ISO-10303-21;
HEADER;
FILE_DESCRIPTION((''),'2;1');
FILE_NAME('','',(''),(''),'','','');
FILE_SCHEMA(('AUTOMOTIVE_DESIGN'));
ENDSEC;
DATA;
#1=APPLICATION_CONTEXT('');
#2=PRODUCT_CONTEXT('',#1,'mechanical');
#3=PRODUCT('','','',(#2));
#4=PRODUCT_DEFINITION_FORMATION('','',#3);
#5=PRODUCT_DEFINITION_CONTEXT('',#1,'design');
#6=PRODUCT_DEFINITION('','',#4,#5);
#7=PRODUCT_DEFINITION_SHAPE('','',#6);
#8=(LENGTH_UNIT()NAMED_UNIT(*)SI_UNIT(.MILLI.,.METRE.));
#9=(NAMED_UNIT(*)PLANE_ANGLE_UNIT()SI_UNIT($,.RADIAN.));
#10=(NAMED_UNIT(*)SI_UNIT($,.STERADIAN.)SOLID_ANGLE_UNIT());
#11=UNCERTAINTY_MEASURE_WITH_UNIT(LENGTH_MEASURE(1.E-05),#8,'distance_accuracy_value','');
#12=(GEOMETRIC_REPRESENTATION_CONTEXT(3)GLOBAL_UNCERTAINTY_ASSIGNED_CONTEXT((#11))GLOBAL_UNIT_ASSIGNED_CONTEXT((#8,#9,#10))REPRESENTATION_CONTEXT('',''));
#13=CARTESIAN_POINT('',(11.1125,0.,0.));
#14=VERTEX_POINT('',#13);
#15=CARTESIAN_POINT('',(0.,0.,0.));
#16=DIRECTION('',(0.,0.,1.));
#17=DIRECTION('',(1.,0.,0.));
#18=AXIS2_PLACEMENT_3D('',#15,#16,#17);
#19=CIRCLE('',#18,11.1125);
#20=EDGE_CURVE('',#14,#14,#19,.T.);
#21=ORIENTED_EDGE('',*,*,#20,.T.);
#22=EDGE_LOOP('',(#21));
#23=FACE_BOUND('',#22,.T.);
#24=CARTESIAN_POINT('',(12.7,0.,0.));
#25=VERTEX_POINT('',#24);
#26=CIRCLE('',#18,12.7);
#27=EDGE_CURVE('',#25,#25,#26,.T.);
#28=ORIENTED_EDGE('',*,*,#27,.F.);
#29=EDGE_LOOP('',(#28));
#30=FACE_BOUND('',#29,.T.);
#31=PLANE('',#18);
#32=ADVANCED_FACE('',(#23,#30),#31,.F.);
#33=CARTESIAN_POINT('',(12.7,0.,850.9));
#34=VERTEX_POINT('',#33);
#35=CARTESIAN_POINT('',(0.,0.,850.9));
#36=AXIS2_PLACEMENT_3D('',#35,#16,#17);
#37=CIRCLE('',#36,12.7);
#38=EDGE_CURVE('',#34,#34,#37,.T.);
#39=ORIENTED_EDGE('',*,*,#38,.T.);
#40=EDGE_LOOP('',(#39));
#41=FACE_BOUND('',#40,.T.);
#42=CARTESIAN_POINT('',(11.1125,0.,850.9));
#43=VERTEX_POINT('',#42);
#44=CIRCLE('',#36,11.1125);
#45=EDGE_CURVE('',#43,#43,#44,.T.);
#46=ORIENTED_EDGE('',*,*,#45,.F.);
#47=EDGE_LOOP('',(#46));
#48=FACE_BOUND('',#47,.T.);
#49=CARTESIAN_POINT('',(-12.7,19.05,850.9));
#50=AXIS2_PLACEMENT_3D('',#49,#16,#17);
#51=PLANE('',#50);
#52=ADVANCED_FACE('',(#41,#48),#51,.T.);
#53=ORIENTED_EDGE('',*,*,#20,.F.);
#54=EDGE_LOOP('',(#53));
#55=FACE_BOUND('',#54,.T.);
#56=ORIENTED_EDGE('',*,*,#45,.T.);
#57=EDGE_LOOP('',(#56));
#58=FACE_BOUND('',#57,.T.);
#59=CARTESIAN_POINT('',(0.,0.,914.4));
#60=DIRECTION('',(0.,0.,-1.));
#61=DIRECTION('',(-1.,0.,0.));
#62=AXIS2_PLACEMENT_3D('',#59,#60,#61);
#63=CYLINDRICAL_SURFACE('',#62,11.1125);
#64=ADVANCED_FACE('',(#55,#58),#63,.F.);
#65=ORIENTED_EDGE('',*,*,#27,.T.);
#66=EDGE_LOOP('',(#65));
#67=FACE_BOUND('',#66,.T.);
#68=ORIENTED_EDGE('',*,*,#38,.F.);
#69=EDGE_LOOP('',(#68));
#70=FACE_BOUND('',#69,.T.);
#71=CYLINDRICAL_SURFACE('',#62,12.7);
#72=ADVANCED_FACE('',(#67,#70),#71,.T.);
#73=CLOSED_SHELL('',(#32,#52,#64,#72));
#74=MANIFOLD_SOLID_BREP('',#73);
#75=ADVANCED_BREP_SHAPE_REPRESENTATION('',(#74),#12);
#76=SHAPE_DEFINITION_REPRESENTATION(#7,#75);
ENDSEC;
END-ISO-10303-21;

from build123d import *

# Parameters (mm, degrees)
SKETCH1_R               = 12.7
SKETCH1_R_2             = 11.1125
BOSS_EXTRUDE1_DEPTH     = 914.4
CUT_EXTRUDE1_DEPTH      = 19.05
CUT_EXTRUDE1_DEPTH_BACK = 19.05
SKETCH2_W               = 25.4
SKETCH2_H               = 63.5


with BuildPart() as part:
    # Sketch1 → Boss-Extrude1 (new body)
    with BuildSketch(Plane.XY):
        Circle(SKETCH1_R)
        Circle(SKETCH1_R_2, mode=Mode.SUBTRACT)
    extrude(amount=BOSS_EXTRUDE1_DEPTH)

    # Sketch2 → Cut-Extrude1 (cut, two sides: drawn at the far end of the back side and taken through both)
    with BuildSketch(Plane(origin=(0, 0, 0), x_dir=(1, 0, 0), z_dir=(0, 1, 0)).offset(-CUT_EXTRUDE1_DEPTH_BACK)):
        with Locations((0, -882.65)):
            Rectangle(SKETCH2_W, SKETCH2_H)
    extrude(amount=CUT_EXTRUDE1_DEPTH + CUT_EXTRUDE1_DEPTH_BACK, mode=Mode.SUBTRACT)


solid = part.part
